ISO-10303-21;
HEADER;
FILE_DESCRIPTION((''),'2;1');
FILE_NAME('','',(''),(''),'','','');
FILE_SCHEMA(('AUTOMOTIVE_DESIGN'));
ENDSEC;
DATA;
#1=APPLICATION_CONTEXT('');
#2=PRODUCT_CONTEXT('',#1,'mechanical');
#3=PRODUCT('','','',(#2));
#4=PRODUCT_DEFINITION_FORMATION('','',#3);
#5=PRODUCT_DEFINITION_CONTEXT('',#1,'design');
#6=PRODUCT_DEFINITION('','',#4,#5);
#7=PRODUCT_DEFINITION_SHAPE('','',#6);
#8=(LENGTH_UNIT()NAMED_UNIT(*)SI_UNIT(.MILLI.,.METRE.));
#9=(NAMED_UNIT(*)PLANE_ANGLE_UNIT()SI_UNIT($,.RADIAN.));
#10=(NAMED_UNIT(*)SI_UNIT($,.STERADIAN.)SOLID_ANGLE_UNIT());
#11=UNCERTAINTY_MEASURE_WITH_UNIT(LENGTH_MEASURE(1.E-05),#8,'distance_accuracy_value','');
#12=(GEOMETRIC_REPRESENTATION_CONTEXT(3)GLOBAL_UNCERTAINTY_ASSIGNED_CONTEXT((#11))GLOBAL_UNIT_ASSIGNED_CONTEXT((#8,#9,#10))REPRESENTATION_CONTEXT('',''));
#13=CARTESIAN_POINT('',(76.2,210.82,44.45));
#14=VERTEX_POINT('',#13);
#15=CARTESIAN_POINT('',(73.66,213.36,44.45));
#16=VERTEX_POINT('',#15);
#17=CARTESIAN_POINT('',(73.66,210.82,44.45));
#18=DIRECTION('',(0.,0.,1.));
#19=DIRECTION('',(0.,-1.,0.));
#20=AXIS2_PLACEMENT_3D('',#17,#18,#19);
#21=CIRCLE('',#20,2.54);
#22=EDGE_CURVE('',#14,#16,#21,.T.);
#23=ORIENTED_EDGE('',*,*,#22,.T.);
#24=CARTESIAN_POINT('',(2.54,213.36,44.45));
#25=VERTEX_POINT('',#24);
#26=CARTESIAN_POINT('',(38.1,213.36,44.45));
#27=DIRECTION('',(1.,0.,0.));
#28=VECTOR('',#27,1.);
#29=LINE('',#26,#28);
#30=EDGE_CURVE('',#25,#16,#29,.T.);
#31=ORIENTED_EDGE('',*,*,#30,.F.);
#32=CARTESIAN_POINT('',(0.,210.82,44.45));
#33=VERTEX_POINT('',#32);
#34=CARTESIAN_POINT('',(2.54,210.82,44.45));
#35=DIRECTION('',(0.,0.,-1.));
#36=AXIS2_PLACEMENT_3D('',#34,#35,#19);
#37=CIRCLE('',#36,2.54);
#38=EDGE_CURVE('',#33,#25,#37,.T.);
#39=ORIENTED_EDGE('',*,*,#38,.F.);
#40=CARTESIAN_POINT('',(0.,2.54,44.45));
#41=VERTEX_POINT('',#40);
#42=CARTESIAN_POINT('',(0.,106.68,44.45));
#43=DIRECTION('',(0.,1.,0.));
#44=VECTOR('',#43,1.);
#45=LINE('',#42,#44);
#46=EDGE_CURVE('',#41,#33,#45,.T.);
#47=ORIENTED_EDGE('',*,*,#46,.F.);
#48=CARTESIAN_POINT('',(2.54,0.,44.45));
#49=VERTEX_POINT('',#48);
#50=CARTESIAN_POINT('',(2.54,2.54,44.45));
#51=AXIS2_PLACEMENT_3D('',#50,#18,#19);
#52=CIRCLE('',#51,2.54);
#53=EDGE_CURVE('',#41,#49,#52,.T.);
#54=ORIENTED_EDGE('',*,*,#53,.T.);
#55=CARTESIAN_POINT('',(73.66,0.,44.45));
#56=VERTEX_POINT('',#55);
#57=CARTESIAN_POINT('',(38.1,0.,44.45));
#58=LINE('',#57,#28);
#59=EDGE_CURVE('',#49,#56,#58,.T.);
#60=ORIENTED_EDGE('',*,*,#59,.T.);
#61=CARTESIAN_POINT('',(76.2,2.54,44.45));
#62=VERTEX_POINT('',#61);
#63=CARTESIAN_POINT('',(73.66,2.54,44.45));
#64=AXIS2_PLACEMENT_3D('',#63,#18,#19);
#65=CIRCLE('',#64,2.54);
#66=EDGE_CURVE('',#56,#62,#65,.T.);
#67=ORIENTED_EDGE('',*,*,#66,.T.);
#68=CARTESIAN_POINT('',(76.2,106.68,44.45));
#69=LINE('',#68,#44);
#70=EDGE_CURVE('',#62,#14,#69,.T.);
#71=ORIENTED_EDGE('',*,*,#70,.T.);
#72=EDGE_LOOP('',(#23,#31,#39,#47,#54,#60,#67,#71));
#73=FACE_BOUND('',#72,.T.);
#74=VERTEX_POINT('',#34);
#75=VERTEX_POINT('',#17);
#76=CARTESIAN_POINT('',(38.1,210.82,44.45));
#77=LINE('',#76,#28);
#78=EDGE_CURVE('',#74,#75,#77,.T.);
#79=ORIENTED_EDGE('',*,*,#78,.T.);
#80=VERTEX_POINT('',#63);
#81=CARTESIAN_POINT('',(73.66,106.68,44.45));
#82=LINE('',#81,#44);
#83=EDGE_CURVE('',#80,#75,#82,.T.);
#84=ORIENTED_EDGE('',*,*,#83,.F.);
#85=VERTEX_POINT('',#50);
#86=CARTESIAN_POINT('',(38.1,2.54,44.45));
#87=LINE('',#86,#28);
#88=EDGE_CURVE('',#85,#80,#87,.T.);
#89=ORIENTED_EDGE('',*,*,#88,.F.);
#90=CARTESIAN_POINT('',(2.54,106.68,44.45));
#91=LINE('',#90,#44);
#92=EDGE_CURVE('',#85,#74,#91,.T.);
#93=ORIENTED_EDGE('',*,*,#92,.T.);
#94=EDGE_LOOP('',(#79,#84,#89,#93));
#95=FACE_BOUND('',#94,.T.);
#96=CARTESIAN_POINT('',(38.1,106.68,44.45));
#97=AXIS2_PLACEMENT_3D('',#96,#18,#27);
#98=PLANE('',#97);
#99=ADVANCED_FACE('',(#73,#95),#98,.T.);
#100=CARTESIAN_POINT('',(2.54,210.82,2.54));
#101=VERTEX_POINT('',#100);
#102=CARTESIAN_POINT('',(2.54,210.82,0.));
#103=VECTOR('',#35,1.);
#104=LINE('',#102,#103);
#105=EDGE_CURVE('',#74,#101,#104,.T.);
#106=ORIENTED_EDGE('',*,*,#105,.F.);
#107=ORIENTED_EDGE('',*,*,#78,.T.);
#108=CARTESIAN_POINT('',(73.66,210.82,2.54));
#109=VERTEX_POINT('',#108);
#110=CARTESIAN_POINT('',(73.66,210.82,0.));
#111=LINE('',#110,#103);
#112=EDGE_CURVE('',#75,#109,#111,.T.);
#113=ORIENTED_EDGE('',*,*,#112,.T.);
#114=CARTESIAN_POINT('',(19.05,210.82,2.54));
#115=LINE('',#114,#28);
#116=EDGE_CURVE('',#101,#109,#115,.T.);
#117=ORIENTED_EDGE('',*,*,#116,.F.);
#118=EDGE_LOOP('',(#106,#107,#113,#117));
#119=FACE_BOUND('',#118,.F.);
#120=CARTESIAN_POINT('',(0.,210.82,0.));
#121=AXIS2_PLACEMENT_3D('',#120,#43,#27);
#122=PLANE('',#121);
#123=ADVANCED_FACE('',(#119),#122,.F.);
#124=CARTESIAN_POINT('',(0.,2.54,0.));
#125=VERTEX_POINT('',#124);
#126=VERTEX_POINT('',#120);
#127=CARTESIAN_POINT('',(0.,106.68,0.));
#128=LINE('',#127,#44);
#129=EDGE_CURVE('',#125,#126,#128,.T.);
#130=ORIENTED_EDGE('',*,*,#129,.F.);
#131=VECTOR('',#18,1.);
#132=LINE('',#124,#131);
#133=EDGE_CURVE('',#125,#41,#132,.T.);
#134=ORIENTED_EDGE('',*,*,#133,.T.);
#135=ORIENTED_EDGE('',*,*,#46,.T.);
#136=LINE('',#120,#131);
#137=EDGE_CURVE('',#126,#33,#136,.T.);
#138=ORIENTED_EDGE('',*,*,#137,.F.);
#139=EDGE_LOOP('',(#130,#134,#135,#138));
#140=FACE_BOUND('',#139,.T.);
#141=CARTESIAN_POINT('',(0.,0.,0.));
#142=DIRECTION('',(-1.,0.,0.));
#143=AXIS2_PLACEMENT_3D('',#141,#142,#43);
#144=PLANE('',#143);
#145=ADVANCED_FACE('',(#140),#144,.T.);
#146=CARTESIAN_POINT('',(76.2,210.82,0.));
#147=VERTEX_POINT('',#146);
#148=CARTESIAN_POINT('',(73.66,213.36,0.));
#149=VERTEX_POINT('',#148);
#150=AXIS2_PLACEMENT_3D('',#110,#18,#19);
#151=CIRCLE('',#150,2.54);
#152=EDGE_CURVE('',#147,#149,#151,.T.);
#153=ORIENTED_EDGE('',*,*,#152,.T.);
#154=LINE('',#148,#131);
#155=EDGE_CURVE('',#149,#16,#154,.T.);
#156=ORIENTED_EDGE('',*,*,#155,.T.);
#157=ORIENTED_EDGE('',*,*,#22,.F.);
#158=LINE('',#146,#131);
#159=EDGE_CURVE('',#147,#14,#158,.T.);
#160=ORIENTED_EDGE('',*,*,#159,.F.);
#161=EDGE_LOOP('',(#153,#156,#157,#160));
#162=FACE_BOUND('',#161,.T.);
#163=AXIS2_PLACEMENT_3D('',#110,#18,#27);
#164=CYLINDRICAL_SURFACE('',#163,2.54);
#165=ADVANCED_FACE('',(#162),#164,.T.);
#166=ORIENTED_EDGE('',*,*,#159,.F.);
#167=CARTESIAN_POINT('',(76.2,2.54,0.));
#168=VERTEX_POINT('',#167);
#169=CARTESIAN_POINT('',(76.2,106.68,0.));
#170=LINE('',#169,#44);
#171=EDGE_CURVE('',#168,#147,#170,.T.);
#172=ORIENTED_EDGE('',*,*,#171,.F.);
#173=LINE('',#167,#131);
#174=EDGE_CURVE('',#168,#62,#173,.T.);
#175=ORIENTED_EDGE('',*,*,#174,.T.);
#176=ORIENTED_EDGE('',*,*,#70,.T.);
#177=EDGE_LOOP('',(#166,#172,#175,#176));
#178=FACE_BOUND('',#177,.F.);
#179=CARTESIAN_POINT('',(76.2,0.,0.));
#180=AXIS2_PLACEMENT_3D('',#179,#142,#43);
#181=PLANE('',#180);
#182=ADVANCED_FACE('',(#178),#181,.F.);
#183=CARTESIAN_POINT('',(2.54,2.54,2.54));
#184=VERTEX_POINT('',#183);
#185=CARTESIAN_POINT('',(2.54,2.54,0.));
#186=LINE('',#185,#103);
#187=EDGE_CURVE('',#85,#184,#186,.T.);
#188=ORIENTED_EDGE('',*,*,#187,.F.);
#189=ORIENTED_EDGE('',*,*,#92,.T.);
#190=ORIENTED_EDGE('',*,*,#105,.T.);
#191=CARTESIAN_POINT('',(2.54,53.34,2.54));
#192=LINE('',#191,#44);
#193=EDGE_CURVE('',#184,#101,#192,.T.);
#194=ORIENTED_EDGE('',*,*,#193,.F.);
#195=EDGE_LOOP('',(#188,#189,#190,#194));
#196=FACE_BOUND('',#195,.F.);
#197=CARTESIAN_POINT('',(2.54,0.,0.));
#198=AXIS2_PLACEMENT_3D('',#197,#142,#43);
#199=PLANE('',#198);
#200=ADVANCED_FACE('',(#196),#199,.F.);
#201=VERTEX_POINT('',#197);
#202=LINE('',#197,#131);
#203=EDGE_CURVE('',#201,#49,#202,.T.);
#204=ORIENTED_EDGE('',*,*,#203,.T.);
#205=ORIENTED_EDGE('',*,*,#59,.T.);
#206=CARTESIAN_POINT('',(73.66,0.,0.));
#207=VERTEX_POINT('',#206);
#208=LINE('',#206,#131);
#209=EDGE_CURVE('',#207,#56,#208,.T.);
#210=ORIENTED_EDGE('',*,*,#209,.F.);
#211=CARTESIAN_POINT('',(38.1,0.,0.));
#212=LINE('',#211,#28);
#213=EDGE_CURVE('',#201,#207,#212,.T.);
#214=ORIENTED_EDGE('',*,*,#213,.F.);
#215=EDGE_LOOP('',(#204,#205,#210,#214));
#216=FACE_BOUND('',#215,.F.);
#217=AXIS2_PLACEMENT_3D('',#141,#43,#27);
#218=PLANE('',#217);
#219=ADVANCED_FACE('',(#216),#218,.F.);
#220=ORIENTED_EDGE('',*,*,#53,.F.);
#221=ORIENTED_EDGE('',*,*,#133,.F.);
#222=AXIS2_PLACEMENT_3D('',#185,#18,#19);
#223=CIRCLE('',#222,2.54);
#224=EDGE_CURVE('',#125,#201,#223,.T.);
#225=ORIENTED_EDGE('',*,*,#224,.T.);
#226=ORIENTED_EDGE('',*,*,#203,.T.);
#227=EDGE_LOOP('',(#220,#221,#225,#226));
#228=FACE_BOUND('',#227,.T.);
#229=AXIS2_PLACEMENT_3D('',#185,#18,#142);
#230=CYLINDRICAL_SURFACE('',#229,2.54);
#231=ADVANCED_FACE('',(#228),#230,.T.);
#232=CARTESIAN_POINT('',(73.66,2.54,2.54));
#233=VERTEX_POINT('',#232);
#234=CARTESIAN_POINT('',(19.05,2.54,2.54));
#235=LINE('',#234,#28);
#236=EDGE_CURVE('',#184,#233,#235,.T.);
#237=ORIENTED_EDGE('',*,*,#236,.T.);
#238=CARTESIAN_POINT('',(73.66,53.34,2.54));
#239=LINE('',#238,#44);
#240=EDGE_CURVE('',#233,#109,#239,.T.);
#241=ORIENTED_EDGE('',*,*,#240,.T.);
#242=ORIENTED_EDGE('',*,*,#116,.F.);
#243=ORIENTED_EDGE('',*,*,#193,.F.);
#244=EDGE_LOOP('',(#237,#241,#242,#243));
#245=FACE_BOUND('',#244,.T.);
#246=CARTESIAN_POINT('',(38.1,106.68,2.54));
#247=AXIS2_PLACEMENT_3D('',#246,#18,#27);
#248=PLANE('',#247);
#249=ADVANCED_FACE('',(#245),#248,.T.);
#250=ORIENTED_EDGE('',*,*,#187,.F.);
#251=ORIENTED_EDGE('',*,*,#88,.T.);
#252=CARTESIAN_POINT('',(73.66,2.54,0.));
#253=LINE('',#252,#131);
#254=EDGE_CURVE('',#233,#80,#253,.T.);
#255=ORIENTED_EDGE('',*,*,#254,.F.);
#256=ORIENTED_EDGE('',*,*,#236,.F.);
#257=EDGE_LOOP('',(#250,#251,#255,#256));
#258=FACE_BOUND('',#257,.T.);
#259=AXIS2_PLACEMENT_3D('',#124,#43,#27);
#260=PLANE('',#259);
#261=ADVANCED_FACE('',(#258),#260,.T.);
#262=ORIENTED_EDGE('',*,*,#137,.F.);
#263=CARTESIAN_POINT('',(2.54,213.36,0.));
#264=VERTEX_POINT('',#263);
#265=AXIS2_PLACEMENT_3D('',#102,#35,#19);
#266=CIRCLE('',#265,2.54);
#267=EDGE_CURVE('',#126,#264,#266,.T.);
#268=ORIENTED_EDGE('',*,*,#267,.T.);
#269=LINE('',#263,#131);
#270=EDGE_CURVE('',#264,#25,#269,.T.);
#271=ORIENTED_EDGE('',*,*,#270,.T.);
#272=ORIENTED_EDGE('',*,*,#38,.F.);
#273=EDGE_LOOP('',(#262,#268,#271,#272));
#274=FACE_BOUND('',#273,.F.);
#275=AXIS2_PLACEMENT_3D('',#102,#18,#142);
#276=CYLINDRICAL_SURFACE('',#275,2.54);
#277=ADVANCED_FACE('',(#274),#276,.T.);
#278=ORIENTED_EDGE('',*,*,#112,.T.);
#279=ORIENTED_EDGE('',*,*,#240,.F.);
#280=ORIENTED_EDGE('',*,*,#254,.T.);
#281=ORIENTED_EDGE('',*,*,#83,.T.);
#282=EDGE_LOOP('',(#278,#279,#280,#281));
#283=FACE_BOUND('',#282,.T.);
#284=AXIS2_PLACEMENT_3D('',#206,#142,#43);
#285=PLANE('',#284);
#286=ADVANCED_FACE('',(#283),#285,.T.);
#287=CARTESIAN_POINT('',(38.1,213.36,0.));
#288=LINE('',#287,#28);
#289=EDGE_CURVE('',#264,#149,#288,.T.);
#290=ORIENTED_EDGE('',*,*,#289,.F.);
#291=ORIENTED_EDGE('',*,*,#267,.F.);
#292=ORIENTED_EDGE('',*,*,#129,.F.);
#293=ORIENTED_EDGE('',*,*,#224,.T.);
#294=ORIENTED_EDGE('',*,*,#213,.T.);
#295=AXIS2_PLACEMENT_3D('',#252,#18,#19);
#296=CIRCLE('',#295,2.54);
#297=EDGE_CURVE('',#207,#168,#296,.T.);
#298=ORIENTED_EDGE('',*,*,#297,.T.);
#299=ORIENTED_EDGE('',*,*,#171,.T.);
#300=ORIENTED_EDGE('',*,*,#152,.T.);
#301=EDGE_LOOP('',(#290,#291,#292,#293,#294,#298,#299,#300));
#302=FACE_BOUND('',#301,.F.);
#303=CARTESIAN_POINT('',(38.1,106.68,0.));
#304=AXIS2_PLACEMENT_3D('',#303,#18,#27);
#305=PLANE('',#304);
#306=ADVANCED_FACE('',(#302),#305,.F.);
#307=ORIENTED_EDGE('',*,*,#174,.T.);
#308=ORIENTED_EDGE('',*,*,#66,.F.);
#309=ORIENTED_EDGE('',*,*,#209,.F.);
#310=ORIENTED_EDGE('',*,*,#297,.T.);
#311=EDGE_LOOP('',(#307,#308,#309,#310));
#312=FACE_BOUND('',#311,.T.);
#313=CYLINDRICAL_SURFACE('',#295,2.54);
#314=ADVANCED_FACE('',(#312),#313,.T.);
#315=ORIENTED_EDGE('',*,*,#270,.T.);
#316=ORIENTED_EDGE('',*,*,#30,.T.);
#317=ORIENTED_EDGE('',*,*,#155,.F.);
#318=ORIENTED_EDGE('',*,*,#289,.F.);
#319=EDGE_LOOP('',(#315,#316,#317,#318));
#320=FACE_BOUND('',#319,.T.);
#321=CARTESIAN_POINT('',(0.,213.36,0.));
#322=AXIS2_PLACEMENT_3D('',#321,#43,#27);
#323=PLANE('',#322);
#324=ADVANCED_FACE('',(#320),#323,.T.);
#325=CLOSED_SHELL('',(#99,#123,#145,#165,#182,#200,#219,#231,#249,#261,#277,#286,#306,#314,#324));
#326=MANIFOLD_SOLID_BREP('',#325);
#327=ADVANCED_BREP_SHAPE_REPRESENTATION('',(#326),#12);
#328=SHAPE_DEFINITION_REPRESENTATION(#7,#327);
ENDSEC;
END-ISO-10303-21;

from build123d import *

# Parameters (mm, degrees)
F0_W     = 76.2
F0_H     = 213.36
F1_DEPTH = 44.45
F2_T     = -2.54
F3_R     = 2.54


with BuildPart() as f1:
    # F0 (on Top) → F1 (new body)
    with BuildSketch(Plane.XY):
        with Locations((38.1, 106.68)):
            Rectangle(F0_W, F0_H)
    extrude(amount=F1_DEPTH)

    # F2
    f2_openings = [f1.faces().sort_by_distance(p)[0] for p in [
        (38.1, 106.68, 44.45),
    ]]
    offset(amount=F2_T, openings=f2_openings)

    # F3
    f3_edges = [f1.edges().sort_by_distance(p)[0] for p in [
        (0, 0, 22.225),
        (76.2, 0, 22.225),
        (76.2, 213.36, 22.225),
        (0, 213.36, 22.225),
    ]]
    fillet(f3_edges, radius=F3_R)


solid = f1.part
